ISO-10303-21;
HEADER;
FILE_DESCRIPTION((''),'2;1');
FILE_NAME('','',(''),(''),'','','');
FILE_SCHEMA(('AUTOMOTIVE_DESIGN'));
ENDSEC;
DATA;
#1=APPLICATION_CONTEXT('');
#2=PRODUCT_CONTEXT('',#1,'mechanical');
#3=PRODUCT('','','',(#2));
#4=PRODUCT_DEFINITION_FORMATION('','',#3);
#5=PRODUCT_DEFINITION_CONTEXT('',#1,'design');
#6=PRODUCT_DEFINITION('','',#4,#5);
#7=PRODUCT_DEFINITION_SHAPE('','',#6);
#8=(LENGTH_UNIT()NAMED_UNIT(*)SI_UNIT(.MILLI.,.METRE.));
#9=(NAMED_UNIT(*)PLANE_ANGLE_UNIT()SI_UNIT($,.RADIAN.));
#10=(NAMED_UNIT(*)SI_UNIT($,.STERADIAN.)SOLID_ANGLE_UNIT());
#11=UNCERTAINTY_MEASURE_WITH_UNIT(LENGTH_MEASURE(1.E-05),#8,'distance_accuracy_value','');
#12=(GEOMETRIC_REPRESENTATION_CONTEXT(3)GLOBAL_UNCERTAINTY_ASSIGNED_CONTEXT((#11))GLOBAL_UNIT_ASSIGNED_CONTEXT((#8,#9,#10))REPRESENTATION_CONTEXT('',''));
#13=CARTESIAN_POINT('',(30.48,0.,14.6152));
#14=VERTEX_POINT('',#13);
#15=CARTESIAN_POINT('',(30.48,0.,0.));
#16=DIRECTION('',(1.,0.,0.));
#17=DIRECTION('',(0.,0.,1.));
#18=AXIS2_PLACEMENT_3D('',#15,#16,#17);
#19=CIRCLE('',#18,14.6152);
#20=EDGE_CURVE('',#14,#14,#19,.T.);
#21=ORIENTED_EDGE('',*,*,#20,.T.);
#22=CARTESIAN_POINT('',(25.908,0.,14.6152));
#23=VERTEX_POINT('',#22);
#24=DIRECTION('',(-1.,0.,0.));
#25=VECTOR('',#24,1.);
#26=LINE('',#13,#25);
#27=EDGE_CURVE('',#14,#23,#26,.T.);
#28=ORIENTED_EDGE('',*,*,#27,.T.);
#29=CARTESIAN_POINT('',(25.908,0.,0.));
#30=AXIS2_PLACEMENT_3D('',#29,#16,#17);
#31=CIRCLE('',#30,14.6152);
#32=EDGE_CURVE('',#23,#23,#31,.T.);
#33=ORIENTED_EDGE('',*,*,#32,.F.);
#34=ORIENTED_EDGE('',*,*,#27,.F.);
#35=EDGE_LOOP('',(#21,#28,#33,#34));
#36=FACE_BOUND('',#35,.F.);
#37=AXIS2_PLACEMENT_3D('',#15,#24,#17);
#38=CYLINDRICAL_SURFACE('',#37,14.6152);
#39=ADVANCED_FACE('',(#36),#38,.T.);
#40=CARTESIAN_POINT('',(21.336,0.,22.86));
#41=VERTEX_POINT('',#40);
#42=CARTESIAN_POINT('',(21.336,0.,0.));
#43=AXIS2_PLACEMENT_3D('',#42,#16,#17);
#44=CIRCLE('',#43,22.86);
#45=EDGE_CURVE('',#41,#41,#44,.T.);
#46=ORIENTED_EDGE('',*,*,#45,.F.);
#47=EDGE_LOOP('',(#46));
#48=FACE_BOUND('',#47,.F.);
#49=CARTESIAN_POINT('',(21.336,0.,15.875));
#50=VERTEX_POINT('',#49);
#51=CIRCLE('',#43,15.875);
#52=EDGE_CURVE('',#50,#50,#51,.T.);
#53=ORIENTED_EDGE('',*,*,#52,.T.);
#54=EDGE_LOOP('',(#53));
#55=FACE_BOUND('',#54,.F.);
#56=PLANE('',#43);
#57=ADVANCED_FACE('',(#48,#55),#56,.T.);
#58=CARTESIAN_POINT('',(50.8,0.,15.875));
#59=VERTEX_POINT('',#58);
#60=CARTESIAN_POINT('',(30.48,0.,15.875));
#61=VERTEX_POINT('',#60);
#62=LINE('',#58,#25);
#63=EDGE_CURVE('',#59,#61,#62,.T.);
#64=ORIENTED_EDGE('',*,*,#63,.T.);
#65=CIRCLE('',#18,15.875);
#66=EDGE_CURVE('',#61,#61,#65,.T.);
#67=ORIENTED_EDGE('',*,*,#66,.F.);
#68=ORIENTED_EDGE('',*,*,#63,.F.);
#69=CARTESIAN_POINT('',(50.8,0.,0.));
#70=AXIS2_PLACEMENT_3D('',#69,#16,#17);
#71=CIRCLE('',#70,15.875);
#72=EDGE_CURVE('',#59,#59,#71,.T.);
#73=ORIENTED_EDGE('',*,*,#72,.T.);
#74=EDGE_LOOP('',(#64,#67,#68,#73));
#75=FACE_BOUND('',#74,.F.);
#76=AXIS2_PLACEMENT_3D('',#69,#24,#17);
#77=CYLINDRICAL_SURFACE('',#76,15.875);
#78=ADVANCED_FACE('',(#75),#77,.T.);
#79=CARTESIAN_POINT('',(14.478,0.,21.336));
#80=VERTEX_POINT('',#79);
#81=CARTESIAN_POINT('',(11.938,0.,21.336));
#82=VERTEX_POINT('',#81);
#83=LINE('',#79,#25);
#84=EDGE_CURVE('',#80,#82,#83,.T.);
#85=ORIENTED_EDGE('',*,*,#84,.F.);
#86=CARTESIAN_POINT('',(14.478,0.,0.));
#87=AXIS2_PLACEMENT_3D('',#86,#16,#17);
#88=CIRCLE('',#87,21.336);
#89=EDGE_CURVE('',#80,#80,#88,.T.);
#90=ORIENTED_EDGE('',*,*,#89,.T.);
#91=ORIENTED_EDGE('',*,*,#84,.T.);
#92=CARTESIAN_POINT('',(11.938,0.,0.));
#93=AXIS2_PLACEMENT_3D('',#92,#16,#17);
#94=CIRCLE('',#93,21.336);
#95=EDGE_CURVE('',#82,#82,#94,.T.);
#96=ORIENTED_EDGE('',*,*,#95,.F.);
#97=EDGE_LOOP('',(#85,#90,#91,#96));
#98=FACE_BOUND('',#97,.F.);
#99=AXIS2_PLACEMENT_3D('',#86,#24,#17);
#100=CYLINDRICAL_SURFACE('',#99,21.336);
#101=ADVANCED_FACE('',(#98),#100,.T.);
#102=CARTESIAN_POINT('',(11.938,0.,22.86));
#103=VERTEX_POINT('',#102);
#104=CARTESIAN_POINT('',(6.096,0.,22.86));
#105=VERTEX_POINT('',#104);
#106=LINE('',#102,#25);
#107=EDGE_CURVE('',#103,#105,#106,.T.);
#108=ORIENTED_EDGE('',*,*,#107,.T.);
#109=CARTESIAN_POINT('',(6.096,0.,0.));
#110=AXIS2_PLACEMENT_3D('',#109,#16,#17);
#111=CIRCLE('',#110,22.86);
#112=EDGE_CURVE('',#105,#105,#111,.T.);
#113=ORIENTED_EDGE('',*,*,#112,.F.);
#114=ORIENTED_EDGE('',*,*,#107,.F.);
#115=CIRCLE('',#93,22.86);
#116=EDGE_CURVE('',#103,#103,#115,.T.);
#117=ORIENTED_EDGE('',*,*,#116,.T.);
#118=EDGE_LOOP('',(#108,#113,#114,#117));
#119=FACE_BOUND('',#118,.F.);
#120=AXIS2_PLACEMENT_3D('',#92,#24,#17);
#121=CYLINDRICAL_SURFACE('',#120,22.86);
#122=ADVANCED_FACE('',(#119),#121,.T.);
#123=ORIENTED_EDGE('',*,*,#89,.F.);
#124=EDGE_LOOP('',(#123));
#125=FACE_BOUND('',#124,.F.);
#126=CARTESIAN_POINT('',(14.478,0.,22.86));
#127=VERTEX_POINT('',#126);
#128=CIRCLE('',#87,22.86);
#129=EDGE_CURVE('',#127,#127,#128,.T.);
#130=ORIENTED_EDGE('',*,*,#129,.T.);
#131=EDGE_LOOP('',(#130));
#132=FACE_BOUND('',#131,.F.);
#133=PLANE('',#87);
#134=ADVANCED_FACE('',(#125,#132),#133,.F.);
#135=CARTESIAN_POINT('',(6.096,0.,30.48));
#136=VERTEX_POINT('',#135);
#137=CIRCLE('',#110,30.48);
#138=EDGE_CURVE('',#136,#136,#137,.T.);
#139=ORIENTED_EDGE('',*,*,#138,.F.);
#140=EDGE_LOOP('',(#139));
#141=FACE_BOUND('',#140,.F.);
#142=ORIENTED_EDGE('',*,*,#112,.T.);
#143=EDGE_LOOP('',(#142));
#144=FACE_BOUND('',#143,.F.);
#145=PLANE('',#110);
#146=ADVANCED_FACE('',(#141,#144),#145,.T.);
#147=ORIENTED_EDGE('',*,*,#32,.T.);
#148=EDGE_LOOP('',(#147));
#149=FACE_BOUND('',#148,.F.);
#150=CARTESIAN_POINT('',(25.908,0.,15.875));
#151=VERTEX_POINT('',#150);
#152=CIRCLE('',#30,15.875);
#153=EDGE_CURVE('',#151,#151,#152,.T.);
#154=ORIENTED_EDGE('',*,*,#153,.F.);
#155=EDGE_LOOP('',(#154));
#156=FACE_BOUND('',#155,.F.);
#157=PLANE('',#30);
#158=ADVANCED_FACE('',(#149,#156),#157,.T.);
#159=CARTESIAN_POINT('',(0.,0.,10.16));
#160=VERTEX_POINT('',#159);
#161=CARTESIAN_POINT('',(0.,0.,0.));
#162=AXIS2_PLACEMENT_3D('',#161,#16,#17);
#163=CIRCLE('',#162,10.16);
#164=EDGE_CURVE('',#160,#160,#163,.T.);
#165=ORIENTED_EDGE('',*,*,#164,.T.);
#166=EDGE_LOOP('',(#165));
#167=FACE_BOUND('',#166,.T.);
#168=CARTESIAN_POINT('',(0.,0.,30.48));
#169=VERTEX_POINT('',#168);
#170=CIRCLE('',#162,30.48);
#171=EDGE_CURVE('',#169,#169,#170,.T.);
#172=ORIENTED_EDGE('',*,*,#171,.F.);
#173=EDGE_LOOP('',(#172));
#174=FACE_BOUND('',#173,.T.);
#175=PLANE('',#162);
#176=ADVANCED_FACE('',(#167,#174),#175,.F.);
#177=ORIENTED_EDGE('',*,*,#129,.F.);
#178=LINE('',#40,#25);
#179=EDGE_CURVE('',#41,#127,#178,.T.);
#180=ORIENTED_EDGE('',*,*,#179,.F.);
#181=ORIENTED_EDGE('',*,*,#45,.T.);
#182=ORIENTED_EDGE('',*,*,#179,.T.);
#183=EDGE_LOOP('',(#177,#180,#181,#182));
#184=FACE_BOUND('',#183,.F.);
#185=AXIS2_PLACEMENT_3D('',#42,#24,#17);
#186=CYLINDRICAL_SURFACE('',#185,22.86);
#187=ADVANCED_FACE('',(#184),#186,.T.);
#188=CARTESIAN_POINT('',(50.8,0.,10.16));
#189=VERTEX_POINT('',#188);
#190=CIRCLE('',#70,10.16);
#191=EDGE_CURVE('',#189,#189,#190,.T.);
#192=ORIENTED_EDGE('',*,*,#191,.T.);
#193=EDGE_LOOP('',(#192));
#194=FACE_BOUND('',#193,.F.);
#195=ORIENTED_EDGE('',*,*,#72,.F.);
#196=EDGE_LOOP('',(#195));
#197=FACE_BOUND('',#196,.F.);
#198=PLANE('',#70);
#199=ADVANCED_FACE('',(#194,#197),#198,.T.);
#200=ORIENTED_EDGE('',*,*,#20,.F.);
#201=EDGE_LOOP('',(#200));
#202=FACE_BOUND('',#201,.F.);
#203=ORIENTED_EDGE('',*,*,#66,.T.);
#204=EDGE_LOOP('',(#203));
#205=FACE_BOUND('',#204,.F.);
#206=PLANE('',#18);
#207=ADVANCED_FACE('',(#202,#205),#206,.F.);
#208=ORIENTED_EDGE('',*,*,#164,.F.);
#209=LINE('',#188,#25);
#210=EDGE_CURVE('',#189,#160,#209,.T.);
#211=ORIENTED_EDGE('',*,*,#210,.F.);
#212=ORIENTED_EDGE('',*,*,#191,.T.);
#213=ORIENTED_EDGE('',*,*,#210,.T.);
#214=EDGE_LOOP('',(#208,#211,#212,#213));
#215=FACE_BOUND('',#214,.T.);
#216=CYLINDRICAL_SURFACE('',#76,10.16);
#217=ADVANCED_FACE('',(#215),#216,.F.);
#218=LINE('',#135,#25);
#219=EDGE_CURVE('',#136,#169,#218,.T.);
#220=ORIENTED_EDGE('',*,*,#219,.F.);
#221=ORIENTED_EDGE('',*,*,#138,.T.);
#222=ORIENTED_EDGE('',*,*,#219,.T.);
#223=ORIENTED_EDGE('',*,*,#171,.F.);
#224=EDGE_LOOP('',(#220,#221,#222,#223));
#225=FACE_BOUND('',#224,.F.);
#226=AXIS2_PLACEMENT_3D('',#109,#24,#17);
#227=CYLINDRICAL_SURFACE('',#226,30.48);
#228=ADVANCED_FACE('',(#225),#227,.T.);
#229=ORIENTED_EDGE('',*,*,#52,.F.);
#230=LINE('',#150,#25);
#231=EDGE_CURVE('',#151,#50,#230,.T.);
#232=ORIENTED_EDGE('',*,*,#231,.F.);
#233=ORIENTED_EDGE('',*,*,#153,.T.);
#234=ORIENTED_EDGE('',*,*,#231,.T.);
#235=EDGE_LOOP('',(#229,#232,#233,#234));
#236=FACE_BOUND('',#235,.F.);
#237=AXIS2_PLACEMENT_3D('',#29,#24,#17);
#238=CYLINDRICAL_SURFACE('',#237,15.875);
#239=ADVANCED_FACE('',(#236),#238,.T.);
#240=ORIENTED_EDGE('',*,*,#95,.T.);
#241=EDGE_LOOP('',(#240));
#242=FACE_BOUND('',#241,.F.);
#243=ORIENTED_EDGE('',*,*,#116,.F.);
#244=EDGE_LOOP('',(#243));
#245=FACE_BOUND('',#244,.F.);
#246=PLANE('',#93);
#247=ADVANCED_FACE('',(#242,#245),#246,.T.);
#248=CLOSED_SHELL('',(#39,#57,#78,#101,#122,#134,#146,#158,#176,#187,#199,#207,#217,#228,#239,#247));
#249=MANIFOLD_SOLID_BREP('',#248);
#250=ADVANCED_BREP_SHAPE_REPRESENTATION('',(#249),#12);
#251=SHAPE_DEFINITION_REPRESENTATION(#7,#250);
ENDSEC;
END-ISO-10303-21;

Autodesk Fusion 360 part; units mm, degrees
sketch "Sketch1" plane through (0, 0, 0) normal (0, 1, 0) x (1, 0, 0)
  line L0 (0, 0) -> (0, -30.48)
  line L1 (0, 0) -> (50.8, 0)
  line L2 (50.8, 0) -> (50.8, -15.875)
  line L3 (50.8, -15.875) -> (30.48, -15.875)
  line L4 (30.48, -15.875) -> (30.48, -14.6152)
  line L5 (30.48, -14.6152) -> (25.908, -14.6152)
  line L6 (25.908, -14.6152) -> (25.908, -15.875)
  line L7 (25.908, -15.875) -> (21.336, -15.875)
  line L8 (21.336, -15.875) -> (21.336, -22.86)
  line L9 (21.336, -22.86) -> (14.478, -22.86)
  line L10 (14.478, -22.86) -> (14.478, -21.336)
  line L11 (14.478, -21.336) -> (11.938, -21.336)
  line L12 (11.938, -21.336) -> (11.938, -22.86)
  line L13 (11.938, -22.86) -> (6.096, -22.86)
  line L14 (6.096, -22.86) -> (6.096, -30.48)
  line L15 (6.096, -30.48) -> (0, -30.48)
  line L16 (50.8, -10.16) -> (0, -10.16)
  dimension "d1" = 30.48
  dimension "d2" = 50.8
  dimension "d3" = 15.875
  dimension "d4" = 20.32
  dimension "d5" = 2.54
  dimension "d6" = 29.464
  dimension "d7" = 36.322
  dimension "d8" = 22.86
  dimension "d9" = 44.704
  dimension "d10" = 1.524
  dimension "d11" = 14.6152
  dimension "d12" = 10.16
revolve "Revolve1" add sketch "Sketch1" angle 360 about axis through (0, 0, 0) along (1, 0, 0) contours L0 L2 L3 L4 L5 L6 L7 L8 L9 L10 L11 L12 L13 L14 L15 L16
equation "d11 = ( 1.1508 / 2 ) * 1 in"
